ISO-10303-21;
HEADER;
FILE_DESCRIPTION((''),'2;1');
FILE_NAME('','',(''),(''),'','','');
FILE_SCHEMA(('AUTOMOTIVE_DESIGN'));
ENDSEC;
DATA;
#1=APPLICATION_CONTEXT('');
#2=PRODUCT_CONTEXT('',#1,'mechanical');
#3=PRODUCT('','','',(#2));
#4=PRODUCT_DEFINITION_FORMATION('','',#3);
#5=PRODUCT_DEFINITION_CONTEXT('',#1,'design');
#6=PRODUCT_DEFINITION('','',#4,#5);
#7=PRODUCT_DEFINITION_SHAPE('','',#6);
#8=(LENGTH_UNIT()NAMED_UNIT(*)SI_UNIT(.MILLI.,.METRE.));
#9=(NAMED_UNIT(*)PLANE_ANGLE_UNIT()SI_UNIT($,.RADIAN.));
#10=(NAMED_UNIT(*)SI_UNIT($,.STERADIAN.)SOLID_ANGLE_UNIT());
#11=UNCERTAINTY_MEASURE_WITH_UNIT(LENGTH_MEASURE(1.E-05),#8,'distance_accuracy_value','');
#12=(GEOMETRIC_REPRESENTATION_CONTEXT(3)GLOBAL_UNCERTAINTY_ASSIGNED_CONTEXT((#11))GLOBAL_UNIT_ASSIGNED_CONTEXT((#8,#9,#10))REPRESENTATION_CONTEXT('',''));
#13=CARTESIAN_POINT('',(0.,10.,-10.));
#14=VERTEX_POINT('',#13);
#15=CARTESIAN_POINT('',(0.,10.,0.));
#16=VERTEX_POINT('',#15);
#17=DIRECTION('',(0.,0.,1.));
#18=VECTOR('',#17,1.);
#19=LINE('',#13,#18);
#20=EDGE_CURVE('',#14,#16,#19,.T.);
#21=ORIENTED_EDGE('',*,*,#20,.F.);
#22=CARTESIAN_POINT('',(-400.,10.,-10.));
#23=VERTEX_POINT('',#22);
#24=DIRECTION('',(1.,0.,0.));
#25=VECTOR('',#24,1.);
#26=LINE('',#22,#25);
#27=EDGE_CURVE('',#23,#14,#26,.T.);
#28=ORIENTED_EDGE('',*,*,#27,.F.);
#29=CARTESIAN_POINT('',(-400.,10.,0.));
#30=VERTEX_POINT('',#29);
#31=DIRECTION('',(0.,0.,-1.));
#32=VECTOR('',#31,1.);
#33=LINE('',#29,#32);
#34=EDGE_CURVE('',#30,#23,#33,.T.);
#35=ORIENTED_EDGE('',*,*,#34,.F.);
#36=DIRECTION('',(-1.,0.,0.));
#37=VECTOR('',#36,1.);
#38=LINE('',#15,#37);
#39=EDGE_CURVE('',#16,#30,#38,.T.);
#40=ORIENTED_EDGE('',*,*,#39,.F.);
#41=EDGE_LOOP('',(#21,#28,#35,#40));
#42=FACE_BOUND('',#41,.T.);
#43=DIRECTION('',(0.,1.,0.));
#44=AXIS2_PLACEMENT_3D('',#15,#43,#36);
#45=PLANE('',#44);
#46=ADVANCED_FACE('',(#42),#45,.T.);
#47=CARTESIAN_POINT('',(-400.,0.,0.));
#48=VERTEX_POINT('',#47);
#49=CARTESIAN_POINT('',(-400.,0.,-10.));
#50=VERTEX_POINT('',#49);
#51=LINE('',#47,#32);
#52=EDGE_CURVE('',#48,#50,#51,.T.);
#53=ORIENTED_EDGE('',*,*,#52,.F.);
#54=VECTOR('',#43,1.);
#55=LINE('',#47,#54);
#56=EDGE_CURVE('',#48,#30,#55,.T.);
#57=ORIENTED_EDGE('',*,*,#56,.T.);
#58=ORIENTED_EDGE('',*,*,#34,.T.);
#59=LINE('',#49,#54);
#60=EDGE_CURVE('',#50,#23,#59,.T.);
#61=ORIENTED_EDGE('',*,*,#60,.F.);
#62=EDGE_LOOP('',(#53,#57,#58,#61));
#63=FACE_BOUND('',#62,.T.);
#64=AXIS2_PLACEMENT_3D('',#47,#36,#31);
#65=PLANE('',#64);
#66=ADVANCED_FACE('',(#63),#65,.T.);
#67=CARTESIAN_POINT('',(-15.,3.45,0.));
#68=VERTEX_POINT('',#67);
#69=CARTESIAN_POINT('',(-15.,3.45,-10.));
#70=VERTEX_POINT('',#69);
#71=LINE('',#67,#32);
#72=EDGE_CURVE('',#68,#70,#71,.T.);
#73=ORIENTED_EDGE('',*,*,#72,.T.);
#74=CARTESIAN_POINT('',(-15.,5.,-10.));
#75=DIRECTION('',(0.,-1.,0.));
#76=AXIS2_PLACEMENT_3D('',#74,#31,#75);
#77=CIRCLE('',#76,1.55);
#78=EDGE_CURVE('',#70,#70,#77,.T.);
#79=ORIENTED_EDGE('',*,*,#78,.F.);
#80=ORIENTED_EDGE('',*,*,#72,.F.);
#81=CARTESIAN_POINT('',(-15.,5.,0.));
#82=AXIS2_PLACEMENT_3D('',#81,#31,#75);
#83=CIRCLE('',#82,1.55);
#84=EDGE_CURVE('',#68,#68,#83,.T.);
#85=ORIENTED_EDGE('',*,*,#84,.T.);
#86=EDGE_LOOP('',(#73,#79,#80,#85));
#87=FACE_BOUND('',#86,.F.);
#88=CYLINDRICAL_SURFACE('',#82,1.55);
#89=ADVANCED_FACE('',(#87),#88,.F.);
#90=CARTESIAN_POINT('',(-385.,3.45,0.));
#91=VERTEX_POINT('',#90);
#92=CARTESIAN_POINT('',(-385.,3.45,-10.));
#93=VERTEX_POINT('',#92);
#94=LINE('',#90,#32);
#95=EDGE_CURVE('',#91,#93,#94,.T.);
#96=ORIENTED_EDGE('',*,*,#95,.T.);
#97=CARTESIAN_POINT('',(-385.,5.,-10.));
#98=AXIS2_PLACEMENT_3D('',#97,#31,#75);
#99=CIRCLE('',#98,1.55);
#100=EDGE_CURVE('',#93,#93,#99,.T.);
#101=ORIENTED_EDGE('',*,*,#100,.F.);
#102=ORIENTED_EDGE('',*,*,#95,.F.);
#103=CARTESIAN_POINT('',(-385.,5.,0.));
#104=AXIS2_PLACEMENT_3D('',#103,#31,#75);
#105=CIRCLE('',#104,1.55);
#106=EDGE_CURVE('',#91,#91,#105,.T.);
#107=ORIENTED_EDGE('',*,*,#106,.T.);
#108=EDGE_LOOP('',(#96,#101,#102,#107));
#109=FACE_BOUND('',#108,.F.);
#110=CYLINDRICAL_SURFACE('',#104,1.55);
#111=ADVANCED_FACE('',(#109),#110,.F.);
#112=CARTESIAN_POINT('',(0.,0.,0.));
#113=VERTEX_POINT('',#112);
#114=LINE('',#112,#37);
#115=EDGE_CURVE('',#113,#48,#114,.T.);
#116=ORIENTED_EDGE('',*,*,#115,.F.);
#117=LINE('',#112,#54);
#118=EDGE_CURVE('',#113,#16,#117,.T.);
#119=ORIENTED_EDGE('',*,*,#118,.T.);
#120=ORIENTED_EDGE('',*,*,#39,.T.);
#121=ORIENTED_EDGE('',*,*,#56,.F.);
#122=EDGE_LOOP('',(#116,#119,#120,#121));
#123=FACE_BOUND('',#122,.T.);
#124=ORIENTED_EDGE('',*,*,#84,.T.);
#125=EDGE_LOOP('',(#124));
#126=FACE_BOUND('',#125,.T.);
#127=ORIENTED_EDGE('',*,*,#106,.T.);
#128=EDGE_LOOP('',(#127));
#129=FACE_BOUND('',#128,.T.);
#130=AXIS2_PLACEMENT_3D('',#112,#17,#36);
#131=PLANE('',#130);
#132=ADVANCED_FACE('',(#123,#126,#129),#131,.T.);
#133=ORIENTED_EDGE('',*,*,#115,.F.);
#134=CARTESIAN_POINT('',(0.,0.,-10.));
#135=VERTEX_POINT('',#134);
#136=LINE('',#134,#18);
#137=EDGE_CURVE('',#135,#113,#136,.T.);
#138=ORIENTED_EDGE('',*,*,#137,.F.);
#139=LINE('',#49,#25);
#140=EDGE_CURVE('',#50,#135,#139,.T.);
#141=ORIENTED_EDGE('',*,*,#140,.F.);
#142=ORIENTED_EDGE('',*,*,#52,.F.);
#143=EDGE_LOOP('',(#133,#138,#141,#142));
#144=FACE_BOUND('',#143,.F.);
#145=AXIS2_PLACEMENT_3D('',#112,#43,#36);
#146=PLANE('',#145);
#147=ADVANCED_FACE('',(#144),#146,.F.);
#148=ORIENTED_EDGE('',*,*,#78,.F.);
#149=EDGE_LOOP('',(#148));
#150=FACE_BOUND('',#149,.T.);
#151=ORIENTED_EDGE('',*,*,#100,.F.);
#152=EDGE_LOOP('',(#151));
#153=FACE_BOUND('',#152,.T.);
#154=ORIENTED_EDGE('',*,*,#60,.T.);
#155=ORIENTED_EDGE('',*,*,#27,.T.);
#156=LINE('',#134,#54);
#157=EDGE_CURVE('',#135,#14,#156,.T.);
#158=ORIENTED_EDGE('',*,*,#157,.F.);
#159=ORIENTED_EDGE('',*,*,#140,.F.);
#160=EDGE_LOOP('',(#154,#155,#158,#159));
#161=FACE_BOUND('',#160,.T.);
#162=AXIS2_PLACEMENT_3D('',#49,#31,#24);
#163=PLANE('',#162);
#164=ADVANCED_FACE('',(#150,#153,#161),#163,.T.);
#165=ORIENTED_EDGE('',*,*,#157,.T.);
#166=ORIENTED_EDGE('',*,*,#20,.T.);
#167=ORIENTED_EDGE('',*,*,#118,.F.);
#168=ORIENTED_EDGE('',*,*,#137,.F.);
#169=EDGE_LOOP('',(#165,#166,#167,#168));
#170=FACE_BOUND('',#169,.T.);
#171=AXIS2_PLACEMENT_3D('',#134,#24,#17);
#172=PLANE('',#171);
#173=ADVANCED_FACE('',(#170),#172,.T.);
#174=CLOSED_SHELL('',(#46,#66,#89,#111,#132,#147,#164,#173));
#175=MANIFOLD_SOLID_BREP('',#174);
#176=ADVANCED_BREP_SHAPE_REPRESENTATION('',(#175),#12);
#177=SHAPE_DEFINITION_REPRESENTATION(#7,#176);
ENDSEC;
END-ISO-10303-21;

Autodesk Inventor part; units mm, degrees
ref_plane "YZ Plane" through (0, 0, 0) normal (1, 0, 0) x (0, 1, 0)
ref_plane "XZ Plane" through (0, 0, 0) normal (0, 1, 0) x (-1, 0, 0)
ref_plane "XY Plane" through (0, 0, 0) normal (0, 0, 1) x (1, 0, 0)
sketch "スケッチ1" plane through (0, 0, 0) normal (0, 1, 0) x (-1, 0, 0)
  line L0 (0, 0) -> (400, 0)
  line L1 (400, 0) -> (400, -10)
  line L2 (400, -10) -> (0, -10)
  line L3 (0, -10) -> (0, 0)
  dimension "d0" = 400
  dimension "d1" = 10
extrude "押し出し1" add sketch "スケッチ1" along normal blind 10
sketch "スケッチ5" plane through (-400, 0, 0) normal (0, 0, 1) x (1, 0, 0)
  line L0 (400, 0) -> (400, 10) projected
  line L1 (0, 0) -> (0, 10) projected
  point P0 (385, 5)
  point P1 (15, 5)
  point P2 (400, 5)
  point P3 (400, 5)
  point P4 (0, 5)
  dimension "d13" = 15
  dimension "d14" = 15
hole "穴2" at (-15, 5, 0) at (-385, 5, 0) direction (0, 0, -1) diameter 3.1 end through all
properties part number "Yoko"
